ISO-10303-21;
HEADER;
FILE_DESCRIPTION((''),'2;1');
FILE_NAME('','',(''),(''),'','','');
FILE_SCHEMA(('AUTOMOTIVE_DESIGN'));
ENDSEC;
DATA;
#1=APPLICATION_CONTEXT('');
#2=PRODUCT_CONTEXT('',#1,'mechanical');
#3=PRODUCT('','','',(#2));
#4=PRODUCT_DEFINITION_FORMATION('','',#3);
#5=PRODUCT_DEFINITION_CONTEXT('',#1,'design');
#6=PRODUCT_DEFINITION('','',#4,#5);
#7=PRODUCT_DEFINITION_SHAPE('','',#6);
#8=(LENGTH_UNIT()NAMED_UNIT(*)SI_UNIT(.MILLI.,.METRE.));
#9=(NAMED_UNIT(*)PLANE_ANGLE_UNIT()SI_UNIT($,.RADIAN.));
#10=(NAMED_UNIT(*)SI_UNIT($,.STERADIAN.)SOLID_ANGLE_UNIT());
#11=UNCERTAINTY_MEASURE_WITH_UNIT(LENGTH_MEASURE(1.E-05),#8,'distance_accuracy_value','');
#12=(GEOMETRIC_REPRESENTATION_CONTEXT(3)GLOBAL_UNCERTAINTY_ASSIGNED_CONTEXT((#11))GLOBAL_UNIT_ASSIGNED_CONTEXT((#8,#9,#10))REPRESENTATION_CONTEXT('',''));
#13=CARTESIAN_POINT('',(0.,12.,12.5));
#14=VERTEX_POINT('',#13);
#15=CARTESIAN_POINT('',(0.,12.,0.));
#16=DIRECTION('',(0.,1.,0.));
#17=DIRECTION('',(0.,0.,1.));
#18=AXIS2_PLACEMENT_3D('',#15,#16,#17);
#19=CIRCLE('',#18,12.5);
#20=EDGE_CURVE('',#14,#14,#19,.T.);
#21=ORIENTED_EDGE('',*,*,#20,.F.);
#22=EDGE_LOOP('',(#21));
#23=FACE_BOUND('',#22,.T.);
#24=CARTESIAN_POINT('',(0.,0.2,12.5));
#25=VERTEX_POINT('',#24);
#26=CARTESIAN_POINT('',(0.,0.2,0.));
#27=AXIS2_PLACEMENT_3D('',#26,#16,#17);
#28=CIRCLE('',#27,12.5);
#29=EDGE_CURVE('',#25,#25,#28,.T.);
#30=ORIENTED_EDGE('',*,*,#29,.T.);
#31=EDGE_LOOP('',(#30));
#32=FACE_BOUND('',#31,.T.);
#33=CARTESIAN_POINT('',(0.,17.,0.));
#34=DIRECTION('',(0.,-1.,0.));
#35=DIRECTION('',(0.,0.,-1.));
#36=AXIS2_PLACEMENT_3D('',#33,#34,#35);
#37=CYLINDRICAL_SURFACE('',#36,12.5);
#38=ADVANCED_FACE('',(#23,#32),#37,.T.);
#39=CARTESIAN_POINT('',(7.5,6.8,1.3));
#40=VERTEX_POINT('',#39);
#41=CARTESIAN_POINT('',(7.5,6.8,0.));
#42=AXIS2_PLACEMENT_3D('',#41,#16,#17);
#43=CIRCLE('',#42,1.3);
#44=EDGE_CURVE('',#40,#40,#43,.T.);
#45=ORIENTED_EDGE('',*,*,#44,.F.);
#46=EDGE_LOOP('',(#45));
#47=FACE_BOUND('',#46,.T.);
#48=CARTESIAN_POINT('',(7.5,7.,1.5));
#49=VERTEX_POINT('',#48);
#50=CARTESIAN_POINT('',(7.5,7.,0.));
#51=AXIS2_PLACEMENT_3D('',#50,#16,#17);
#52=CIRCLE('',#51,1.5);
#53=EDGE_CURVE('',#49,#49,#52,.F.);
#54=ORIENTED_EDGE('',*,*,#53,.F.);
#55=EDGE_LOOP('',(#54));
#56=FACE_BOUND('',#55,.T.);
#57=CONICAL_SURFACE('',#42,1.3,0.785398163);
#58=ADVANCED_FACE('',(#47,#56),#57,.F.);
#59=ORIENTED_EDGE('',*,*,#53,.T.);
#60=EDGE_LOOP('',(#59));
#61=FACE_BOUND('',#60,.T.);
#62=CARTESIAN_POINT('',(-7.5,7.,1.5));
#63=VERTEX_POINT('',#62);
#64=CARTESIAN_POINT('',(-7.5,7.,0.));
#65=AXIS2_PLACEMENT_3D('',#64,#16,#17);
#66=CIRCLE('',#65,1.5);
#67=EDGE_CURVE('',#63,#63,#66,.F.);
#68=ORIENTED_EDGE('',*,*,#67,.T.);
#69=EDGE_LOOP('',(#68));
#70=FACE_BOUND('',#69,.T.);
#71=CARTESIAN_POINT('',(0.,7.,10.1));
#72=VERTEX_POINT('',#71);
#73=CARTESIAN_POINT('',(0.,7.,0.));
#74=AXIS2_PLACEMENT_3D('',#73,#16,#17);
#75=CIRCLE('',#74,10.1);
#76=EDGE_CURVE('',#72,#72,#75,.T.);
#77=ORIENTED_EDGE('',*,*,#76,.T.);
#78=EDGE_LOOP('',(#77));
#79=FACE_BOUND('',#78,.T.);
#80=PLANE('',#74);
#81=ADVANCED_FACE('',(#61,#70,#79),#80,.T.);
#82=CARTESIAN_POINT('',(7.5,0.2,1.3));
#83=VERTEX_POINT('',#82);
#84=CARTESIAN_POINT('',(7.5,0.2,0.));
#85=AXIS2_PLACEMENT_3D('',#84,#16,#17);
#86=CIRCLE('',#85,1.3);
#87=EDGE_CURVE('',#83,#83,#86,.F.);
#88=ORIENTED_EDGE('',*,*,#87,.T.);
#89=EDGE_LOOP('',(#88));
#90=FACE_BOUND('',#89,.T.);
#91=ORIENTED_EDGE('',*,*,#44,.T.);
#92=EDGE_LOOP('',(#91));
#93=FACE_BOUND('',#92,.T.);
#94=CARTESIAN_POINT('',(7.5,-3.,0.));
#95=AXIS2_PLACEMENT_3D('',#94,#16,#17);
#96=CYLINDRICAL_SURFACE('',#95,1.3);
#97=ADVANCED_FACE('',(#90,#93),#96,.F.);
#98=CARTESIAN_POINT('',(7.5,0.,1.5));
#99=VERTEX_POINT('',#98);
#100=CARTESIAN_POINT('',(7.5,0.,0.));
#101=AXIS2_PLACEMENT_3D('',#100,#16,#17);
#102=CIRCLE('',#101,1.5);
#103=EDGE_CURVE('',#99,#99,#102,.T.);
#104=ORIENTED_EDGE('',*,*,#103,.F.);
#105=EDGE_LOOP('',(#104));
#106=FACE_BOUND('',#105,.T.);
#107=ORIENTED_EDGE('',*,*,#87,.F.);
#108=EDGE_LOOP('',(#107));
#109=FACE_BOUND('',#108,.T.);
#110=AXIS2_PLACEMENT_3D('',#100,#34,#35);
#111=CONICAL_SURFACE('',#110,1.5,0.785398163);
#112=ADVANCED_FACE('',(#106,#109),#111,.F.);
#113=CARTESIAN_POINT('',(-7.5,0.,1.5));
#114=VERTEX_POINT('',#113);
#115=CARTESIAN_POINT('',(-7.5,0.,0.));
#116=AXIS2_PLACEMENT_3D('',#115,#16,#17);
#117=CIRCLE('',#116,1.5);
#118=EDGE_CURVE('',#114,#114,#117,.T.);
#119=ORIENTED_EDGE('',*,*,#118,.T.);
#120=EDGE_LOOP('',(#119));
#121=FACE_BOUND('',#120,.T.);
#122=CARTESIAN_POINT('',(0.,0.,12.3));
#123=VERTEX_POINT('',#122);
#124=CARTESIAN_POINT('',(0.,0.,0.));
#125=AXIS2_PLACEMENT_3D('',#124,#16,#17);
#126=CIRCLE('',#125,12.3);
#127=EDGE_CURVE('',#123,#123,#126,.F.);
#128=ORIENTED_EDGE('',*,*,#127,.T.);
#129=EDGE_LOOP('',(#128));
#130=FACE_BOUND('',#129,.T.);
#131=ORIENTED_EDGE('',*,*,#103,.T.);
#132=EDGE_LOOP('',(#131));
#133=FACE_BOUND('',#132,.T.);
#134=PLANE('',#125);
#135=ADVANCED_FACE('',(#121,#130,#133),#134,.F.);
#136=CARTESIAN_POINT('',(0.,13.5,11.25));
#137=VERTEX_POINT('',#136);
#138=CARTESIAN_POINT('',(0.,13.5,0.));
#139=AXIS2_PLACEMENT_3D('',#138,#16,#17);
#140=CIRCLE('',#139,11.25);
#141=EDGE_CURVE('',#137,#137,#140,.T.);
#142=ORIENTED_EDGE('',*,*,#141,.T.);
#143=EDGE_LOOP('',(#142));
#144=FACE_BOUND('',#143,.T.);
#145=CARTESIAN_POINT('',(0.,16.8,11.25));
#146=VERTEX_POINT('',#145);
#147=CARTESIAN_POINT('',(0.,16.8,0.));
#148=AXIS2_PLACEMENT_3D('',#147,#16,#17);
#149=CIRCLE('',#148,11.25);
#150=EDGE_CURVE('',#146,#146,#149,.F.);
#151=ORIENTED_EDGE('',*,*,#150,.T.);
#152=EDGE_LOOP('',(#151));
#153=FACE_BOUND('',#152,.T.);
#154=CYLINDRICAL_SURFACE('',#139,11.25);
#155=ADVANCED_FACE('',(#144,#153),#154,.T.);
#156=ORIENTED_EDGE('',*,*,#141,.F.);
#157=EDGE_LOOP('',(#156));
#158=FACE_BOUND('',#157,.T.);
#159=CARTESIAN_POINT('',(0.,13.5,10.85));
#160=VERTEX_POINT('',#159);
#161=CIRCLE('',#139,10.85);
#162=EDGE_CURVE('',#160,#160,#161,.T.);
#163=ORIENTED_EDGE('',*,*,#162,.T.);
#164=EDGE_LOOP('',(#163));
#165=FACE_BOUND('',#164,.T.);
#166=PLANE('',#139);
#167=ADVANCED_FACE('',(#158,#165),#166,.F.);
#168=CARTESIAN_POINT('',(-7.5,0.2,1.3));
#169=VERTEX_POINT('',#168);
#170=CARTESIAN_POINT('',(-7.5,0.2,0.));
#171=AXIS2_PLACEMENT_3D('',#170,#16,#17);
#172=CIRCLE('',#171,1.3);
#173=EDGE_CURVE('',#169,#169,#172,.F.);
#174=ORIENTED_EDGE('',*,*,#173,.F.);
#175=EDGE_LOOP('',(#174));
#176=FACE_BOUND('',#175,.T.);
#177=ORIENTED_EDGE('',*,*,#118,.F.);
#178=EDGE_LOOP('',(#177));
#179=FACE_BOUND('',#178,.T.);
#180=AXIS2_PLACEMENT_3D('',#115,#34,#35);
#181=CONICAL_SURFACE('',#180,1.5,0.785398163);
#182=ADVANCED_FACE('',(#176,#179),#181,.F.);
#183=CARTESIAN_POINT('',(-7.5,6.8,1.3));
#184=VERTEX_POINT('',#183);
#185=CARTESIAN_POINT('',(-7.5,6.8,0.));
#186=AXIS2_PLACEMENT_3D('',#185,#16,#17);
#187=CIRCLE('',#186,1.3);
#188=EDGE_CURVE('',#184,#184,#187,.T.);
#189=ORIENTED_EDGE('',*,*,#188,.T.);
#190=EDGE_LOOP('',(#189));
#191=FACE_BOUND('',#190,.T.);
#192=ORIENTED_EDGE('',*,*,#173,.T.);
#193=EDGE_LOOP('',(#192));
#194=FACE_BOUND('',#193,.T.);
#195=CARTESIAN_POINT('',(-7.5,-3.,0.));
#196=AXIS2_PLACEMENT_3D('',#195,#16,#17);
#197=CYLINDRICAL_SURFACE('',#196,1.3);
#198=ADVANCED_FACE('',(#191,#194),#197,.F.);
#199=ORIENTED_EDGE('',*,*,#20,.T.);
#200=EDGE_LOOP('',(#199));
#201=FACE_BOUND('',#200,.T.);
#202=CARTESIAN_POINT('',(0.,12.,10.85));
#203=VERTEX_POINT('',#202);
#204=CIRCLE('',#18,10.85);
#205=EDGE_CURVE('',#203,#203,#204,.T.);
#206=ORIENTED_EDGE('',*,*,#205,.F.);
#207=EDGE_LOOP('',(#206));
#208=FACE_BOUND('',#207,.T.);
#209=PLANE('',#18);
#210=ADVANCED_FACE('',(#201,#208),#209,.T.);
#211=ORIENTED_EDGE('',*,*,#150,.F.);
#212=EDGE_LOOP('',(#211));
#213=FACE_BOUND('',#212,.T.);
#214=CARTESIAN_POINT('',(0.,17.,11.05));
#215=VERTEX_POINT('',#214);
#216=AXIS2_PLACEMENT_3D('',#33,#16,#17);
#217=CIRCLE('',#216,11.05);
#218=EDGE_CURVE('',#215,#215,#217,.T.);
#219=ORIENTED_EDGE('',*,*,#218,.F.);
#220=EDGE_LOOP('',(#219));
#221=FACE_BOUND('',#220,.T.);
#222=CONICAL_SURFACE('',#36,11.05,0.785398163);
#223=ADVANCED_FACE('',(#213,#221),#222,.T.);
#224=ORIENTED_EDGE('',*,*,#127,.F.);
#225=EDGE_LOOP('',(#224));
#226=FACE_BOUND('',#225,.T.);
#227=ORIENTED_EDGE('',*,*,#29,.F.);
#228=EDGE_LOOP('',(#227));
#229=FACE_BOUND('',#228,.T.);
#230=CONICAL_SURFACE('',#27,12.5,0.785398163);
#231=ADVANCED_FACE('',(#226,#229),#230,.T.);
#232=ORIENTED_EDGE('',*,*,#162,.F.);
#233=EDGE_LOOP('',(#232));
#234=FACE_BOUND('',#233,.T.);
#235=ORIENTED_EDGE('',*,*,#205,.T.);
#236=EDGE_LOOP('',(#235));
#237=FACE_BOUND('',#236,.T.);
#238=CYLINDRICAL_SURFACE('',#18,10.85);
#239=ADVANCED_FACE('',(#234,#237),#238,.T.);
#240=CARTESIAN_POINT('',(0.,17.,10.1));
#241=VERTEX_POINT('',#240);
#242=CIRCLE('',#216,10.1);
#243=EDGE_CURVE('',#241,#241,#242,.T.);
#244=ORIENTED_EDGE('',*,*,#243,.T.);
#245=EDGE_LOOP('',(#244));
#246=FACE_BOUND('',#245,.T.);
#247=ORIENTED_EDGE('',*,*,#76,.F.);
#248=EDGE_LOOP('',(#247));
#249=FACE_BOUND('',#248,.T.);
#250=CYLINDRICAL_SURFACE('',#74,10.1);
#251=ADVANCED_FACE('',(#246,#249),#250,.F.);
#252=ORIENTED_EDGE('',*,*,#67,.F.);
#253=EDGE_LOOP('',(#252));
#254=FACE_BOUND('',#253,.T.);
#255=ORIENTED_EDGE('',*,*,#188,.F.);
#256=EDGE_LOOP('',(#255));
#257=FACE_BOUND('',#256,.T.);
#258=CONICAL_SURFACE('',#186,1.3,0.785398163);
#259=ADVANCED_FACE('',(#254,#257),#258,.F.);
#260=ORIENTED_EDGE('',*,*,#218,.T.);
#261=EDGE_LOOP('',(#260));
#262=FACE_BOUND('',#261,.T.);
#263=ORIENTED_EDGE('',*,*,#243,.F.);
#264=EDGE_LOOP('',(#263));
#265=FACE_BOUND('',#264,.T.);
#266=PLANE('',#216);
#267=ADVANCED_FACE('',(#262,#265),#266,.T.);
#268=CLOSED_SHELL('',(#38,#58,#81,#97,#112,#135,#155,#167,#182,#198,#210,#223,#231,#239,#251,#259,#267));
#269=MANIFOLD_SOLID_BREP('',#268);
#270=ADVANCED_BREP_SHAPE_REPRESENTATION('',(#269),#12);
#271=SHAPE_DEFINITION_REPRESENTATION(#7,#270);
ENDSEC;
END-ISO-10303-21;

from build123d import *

# Parameters (mm, degrees)
SKETCH1_R           = 12.5
BOSS_EXTRUDE1_DEPTH = 17
SKETCH2_R           = 10.1
CUT_EXTRUDE1_DEPTH  = 10
SKETCH3_R           = 1.3
CUT_EXTRUDE2_DEPTH  = 10
CUT_EXTRUDE3_START  = -5
SKETCH4_R           = 12.5
SKETCH4_R_2         = 10.85
CUT_EXTRUDE3_DEPTH  = 5
BOSS_EXTRUDE2_START = -3.5
SKETCH7_R           = 11.25
SKETCH7_R_2         = 10.85
BOSS_EXTRUDE2_DEPTH = 3.5
CHAMFER1_SIZE       = 0.2


with BuildPart() as part:
    # Sketch1 → Boss-Extrude1 (new body)
    with BuildSketch(Plane(origin=(0, 0, 0), x_dir=(1, 0, 0), z_dir=(0, 1, 0))):
        with Locations(Location((0, 0, 0), (0, 0, 270))):
            Circle(SKETCH1_R)
    extrude(amount=BOSS_EXTRUDE1_DEPTH)

    # Sketch2 → Cut-Extrude1 (cut)
    with BuildSketch(Plane(origin=(0, 17, 0), x_dir=(1, 0, 0), z_dir=(0, 1, 0))):
        with Locations(Location((0, 0, 0), (0, 0, 270))):
            Circle(SKETCH2_R)
    extrude(amount=-CUT_EXTRUDE1_DEPTH, mode=Mode.SUBTRACT)

    # Sketch3 → Cut-Extrude2 (cut)
    with BuildSketch(Plane(origin=(0, 7, 0), x_dir=(1, 0, 0), z_dir=(0, 1, 0))):
        with Locations(Location((7.5, 0, 0), (0, 0, 270))):
            Circle(SKETCH3_R)
        with Locations(Location((-7.5, 0, 0), (0, 0, 270))):
            Circle(SKETCH3_R)
    extrude(amount=-CUT_EXTRUDE2_DEPTH, mode=Mode.SUBTRACT)

    # Sketch4 → Cut-Extrude3 (cut)
    with BuildSketch(Plane(origin=(0, 17, 0), x_dir=(1, 0, 0), z_dir=(0, 1, 0)).offset(CUT_EXTRUDE3_START)):
        with Locations(Location((0, 0, 0), (0, 0, 270))):
            Circle(SKETCH4_R)
        with Locations(Location((0, 0, 0), (0, 0, 270))):
            Circle(SKETCH4_R_2, mode=Mode.SUBTRACT)
    extrude(amount=CUT_EXTRUDE3_DEPTH, mode=Mode.SUBTRACT)

    # Sketch7 → Boss-Extrude2 (add)
    with BuildSketch(Plane(origin=(0, 17, 0), x_dir=(1, 0, 0), z_dir=(0, 1, 0)).offset(BOSS_EXTRUDE2_START)):
        with Locations(Location((0, 0, 0), (0, 0, 270))):
            Circle(SKETCH7_R)
        with Locations(Location((0, 0, 0), (0, 0, 270))):
            Circle(SKETCH7_R_2, mode=Mode.SUBTRACT)
    extrude(amount=BOSS_EXTRUDE2_DEPTH)

    # Chamfer1
    chamfer1_edges = [part.edges().sort_by_distance(p)[0] for p in [
        (7.5, 0, -1.3),
        (7.5, 7, -1.3),
        (-7.5, 0, -1.3),
        (-7.5, 7, -1.3),
        (0, 0, -12.5),
        (0, 17, -11.25),
    ]]
    chamfer(chamfer1_edges, length=CHAMFER1_SIZE)


solid = part.part
